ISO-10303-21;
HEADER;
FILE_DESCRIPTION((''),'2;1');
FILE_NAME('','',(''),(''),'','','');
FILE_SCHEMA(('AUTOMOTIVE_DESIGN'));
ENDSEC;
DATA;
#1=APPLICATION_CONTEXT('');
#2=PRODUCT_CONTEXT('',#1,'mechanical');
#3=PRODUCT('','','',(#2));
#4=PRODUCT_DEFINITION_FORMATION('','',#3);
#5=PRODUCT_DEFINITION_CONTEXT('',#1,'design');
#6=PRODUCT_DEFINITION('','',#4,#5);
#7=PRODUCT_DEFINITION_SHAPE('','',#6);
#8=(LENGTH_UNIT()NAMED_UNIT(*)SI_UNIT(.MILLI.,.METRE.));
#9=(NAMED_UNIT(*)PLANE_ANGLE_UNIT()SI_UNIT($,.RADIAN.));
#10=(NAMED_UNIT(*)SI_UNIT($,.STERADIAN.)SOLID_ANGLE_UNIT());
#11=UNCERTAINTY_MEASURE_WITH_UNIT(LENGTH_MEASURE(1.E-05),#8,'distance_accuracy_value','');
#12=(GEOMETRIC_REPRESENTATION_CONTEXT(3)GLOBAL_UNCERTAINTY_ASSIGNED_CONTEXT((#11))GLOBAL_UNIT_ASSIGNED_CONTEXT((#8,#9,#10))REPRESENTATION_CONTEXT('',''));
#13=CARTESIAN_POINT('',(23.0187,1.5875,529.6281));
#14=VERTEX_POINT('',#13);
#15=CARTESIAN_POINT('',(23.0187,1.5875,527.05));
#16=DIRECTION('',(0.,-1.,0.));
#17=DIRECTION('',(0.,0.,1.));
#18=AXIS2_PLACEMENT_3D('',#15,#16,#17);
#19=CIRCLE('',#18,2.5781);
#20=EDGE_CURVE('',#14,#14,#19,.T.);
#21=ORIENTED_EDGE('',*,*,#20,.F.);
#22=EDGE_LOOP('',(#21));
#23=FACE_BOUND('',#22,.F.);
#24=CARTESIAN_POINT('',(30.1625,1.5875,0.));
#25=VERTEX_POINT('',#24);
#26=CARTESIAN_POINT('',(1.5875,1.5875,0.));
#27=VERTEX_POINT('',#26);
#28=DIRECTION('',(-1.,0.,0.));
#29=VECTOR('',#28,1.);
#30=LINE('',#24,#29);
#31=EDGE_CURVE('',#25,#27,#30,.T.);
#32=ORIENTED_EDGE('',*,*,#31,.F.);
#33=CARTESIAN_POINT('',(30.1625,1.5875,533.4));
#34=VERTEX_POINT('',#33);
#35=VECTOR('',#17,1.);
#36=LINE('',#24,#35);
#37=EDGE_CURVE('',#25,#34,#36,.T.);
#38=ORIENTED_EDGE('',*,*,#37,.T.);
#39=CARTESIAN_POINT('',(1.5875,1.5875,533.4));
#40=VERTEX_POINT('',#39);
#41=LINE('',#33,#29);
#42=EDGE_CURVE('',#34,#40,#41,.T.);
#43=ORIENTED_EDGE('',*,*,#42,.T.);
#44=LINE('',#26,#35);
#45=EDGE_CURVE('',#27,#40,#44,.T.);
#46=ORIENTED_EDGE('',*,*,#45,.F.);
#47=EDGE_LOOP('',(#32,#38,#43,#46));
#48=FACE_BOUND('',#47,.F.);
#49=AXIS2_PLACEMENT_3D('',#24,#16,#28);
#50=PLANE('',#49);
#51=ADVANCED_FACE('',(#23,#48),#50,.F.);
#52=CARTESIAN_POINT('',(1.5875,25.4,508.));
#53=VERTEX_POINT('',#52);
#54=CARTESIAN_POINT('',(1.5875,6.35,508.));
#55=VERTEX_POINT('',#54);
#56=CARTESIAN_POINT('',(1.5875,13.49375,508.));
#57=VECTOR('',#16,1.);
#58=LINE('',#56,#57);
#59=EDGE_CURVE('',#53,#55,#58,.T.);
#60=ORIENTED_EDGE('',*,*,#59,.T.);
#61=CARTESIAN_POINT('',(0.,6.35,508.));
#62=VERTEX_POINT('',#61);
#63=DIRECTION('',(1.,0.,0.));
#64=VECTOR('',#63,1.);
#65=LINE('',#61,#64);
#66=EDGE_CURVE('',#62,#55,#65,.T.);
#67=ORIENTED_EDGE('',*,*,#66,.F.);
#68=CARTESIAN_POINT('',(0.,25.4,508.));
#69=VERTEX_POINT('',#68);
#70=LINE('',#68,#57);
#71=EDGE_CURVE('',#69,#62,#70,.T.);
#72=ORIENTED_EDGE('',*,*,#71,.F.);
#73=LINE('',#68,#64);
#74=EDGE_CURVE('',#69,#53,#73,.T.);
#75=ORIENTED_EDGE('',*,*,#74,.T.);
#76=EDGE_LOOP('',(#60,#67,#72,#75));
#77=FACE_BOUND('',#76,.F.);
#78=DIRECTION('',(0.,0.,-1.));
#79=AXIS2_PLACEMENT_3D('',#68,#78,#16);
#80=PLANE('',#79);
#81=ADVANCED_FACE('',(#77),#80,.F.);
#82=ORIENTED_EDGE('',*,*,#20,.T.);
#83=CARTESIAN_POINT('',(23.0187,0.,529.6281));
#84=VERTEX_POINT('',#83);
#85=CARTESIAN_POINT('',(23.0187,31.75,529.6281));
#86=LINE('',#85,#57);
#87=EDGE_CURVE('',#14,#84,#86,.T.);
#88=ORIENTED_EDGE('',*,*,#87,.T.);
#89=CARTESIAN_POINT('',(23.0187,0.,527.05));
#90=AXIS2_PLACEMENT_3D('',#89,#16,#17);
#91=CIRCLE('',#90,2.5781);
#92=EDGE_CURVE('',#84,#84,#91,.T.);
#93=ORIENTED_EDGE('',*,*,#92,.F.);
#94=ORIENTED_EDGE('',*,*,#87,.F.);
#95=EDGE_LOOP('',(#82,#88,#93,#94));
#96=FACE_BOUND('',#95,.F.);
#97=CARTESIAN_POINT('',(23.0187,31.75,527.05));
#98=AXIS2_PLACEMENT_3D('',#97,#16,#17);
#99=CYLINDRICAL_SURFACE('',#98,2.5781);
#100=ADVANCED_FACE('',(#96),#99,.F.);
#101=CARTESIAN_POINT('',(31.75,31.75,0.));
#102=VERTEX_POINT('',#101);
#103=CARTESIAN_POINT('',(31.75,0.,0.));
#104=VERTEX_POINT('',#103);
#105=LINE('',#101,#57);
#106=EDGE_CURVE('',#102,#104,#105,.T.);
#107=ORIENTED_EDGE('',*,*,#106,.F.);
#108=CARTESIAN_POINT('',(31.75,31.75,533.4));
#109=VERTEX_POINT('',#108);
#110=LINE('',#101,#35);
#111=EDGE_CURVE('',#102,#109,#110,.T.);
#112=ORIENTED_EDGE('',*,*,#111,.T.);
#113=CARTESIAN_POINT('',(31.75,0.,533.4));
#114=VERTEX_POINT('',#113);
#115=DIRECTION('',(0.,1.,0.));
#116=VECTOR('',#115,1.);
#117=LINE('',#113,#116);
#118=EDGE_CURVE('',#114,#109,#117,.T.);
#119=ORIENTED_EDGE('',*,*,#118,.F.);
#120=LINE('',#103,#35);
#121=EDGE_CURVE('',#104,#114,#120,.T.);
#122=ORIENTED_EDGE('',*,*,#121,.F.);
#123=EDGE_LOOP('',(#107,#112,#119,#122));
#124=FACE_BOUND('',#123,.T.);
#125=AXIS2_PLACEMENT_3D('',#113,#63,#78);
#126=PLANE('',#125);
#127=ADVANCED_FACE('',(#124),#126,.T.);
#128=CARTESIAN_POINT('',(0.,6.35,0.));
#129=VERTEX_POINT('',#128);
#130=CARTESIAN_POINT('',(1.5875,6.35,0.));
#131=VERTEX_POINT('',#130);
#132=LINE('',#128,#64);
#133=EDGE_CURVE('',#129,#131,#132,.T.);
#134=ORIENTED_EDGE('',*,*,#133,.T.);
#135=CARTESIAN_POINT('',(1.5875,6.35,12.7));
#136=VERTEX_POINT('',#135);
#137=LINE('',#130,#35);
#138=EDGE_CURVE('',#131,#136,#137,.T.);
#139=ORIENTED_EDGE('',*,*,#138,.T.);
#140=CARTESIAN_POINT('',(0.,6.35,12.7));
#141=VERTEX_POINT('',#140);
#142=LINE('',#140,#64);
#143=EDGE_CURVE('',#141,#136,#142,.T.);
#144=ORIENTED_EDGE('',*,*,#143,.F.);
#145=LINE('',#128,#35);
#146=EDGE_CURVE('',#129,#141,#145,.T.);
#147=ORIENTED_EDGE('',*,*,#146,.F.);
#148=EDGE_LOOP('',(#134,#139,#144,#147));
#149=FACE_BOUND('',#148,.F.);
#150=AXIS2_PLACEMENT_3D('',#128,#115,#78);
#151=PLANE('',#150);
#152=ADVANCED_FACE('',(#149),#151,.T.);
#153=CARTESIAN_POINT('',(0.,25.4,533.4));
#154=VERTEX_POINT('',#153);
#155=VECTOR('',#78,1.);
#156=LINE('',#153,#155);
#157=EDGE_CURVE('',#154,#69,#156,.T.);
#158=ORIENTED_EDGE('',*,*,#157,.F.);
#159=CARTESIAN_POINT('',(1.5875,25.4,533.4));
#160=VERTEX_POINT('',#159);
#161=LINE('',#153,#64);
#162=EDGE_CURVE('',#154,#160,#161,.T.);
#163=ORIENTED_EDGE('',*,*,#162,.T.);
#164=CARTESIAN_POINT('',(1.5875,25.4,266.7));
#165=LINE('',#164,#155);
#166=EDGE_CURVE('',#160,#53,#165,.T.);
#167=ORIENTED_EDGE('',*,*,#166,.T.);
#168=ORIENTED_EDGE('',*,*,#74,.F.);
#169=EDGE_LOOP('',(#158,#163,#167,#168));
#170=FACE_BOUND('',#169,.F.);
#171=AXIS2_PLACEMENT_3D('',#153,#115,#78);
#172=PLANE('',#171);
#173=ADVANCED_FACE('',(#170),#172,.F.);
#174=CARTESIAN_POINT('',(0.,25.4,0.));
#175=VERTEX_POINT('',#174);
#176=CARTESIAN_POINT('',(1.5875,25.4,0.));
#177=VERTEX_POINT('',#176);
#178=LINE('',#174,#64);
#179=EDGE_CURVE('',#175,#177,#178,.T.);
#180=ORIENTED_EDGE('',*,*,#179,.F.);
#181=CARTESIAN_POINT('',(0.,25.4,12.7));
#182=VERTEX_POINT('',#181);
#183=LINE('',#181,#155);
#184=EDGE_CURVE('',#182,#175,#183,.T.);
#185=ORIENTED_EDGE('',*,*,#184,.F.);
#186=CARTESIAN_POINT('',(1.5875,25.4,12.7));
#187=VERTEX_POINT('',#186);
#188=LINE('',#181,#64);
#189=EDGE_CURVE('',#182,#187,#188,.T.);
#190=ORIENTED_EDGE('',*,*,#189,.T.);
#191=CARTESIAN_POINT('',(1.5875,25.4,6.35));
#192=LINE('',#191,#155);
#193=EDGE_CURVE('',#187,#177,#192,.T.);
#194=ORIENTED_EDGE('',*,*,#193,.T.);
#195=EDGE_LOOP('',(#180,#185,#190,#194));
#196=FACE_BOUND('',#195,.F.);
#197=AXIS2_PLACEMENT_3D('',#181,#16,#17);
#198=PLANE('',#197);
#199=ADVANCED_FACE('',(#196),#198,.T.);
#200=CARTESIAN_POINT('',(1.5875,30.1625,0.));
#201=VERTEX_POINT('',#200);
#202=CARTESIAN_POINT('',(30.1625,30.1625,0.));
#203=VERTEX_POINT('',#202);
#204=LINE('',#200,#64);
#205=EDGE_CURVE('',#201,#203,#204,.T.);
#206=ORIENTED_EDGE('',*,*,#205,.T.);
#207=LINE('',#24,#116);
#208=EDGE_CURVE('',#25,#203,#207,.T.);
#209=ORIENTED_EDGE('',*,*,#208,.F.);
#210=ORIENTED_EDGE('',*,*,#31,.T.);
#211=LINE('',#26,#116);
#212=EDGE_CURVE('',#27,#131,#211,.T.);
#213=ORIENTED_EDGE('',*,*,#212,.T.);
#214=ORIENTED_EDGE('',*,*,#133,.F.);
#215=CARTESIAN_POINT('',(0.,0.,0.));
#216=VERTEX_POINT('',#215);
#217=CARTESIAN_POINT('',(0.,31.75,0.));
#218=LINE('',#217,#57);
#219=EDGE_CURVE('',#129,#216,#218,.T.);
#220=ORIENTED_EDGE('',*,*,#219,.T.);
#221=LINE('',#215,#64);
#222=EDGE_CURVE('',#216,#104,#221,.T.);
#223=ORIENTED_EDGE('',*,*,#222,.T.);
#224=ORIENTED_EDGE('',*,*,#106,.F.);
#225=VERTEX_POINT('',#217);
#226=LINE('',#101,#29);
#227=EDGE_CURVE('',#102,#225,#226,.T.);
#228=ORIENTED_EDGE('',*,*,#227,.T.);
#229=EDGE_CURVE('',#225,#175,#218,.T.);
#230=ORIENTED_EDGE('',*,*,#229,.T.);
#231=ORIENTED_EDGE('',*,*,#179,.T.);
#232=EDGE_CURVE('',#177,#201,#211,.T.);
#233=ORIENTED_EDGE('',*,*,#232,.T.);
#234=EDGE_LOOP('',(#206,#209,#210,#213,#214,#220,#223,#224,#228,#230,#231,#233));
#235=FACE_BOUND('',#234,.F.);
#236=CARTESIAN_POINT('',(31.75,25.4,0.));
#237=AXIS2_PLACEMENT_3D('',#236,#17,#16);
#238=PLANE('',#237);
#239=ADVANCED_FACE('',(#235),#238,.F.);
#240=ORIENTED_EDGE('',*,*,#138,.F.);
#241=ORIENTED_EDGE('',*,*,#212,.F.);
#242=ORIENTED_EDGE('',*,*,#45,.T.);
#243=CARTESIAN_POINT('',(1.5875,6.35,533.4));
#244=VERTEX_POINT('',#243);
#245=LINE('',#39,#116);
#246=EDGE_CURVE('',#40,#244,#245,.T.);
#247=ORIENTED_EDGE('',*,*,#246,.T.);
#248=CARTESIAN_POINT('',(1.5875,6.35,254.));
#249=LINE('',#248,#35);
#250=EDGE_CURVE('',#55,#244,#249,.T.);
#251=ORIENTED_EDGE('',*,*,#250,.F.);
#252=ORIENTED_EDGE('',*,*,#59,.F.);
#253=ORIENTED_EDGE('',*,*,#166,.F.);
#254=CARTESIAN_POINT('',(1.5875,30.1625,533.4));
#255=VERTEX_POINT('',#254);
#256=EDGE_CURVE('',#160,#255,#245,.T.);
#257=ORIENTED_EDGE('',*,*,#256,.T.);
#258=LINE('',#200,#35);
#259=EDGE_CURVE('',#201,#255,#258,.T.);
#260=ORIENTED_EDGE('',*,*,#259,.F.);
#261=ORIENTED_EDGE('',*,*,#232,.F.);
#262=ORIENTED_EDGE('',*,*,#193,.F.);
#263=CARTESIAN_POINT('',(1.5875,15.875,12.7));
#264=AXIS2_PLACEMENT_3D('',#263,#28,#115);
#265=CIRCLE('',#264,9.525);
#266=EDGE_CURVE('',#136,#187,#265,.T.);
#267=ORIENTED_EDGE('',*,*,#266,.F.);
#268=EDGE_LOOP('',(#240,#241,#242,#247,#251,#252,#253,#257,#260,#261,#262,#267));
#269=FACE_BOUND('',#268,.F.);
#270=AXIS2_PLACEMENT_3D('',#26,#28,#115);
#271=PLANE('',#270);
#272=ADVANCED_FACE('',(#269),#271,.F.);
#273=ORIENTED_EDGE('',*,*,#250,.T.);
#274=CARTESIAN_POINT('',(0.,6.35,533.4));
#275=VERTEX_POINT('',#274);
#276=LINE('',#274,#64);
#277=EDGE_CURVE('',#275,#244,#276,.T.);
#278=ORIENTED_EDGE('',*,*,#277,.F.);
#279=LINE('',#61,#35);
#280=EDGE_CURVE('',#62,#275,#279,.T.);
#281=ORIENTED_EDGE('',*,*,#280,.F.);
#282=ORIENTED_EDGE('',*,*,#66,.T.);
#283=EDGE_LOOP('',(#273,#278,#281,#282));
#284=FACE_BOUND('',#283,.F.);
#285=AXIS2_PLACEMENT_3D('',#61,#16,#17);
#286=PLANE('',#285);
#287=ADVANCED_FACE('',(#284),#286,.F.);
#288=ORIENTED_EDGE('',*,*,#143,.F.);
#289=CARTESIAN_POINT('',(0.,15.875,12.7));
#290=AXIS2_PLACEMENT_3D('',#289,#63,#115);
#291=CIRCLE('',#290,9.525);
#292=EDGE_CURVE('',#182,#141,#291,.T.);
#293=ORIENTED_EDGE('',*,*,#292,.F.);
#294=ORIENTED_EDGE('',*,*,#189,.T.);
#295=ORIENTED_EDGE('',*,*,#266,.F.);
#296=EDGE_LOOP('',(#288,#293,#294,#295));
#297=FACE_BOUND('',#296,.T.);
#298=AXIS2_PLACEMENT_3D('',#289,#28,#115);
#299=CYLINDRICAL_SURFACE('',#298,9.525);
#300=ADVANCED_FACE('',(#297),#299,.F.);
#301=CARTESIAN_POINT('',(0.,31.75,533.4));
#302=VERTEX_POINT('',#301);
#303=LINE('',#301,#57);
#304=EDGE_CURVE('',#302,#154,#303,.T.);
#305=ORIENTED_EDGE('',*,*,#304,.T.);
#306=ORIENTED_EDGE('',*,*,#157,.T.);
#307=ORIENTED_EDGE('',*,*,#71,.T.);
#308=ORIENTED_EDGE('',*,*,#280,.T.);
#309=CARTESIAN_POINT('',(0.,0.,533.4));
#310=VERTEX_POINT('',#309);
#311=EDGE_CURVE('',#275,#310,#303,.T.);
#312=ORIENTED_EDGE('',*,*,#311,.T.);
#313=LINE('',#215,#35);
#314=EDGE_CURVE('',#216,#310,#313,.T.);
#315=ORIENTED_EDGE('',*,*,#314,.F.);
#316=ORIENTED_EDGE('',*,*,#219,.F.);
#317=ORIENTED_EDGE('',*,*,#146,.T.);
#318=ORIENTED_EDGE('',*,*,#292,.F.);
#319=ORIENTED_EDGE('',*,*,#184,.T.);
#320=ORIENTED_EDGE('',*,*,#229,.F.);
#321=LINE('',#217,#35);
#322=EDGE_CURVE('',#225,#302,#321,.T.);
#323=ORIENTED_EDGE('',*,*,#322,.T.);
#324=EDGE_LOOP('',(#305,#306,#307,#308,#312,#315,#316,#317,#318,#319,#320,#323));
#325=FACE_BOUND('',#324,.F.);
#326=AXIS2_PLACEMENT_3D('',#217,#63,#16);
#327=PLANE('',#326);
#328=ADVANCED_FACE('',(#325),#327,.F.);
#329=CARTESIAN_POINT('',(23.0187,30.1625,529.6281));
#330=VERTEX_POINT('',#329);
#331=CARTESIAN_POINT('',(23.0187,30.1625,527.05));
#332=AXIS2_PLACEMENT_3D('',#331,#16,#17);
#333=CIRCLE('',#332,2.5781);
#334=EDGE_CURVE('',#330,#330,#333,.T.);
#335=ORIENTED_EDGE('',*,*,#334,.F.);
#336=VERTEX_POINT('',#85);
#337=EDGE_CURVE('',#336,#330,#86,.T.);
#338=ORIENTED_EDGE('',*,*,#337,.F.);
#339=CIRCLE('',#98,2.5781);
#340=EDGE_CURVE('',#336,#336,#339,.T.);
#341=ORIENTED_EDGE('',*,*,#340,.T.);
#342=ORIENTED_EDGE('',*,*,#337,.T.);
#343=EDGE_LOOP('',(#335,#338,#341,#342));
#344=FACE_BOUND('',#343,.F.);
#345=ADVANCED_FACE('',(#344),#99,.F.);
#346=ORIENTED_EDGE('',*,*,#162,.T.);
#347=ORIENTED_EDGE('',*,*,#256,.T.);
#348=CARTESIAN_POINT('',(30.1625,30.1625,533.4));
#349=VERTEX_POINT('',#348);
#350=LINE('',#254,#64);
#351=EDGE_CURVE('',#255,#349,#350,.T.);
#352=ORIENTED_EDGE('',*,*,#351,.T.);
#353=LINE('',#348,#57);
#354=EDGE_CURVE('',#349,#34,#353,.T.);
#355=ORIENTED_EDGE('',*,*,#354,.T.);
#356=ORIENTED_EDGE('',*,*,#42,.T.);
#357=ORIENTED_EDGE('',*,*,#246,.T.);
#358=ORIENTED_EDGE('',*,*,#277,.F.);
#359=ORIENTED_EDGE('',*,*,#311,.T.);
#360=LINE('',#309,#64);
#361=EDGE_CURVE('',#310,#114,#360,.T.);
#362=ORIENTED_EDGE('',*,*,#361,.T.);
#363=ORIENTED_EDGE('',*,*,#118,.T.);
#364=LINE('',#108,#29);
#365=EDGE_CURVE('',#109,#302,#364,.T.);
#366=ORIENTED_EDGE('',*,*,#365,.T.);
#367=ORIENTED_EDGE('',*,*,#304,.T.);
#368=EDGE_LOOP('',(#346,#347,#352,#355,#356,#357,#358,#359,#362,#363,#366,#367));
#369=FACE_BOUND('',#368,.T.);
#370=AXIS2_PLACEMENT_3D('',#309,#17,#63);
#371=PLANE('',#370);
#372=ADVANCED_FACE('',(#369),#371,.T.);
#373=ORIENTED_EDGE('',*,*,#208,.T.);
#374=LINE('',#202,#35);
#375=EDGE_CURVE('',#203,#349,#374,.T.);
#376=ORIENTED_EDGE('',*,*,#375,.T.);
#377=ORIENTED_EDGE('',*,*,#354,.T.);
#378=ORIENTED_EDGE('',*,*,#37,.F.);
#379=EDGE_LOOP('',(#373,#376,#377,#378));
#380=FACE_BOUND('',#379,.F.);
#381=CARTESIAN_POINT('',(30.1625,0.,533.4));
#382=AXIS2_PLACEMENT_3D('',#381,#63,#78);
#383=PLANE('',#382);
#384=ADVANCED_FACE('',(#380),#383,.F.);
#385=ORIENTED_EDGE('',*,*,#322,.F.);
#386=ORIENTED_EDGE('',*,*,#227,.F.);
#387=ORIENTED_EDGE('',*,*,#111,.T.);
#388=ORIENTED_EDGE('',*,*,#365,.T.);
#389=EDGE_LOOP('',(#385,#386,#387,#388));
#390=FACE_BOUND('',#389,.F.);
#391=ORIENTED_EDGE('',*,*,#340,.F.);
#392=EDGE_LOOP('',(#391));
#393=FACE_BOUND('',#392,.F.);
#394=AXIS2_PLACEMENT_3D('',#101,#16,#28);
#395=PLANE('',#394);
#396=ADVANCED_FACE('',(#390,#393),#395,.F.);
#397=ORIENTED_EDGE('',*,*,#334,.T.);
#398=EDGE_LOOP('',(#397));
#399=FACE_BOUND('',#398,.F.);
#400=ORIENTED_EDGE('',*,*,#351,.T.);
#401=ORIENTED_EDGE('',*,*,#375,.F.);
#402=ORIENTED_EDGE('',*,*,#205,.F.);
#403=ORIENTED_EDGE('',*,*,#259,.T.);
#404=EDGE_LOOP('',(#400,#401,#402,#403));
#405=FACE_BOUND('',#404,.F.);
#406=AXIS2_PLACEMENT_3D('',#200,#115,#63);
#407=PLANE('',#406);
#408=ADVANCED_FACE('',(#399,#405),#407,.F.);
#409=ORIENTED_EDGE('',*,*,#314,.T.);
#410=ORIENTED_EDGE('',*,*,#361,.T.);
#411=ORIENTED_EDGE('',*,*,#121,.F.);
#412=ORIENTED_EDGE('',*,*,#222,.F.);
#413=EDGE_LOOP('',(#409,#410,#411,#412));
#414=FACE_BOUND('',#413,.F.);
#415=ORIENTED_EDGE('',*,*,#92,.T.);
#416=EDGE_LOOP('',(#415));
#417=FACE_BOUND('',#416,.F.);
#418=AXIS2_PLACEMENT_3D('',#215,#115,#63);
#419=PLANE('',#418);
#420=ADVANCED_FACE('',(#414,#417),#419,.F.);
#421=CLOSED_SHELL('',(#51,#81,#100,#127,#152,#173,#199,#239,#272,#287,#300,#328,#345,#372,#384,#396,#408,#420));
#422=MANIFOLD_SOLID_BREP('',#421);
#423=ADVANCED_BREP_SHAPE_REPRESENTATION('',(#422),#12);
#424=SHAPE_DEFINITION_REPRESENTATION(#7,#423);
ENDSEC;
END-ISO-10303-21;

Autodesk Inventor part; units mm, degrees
ref_plane "XZ Plane" through (0, 0, 0) normal (0, 1, 0) x (-1, 0, 0)
ref_plane "XY Plane" through (0, 0, 0) normal (0, 0, 1) x (1, 0, 0)
sketch "Sketch1" plane through (0, 0, 0) normal (0, 0, 1) x (1, 0, 0)
  line L0 (0, 0) -> (31.75, 0)
  line L1 (31.75, 0) -> (31.75, 31.75)
  line L2 (31.75, 31.75) -> (0, 31.75)
  line L3 (0, 31.75) -> (0, 0)
  line L4 (1.5875, 30.1625) -> (30.1625, 30.1625)
  line L5 (30.1625, 30.1625) -> (30.1625, 1.5875)
  line L6 (30.1625, 1.5875) -> (1.5875, 1.5875)
  line L7 (1.5875, 1.5875) -> (1.5875, 30.1625)
  dimension "d0" = 31.75
  dimension "d1" = 31.75
  dimension "d2" = 1.5875
extrude "Extrusion1" add sketch "Sketch1" along normal blind 533.4
sketch "Sketch5" plane through (31.75, 0, 0) normal (1, 0, 0) x (0, 0, -1)
  line L0 (0, 15.875) -> (-12.7, 15.875) construction
  line L1 (0, 6.35) -> (-12.7, 6.35)
  line L2 (-12.7, 25.4) -> (0, 25.4)
  arc A0 (0, 6.35) -> (0, 25.4) centre (0, 15.875) ccw
  arc A1 (-12.7, 25.4) -> (-12.7, 6.35) centre (-12.7, 15.875) ccw
  line L3 (0, 0) -> (0, 31.75) projected
  line L4 (0, 31.75) -> (-533.4, 31.75) projected
  point P0 (-6.35, 15.875)
  dimension "d26" = 0
  dimension "d27" = 19.05
  dimension "d28" = 15.875
  dimension "d29" = 12.7
extrude "Extrusion4" cut sketch "Sketch5" against normal blind 25.4
ref_plane "Work Plane3" through (15.875, 0, 0) normal (1, 0, 0) x (0, 1, 0)
mirror "Mirror1" about plane through (15.875, 0, 0) normal (1, 0, 0) of "Extrusion4"
sketch "Sketch6" plane through (31.75, 0, 533.4) normal (1, 0, 0) x (0, 0, -1)
  line L0 (533.4, 25.4) -> (520.7, 25.4) projected
  line L1 (533.4, 25.4) -> (520.7, 25.4)
  arc A0 (520.7, 25.4) -> (520.7, 6.35) centre (520.7, 15.875) ccw projected
  arc A1 (520.7, 25.4) -> (520.7, 6.35) centre (520.7, 15.875) ccw
  line L2 (533.4, 6.35) -> (520.7, 6.35) projected
  line L3 (520.7, 6.35) -> (533.4, 6.35)
  line L4 (533.4, 25.4) -> (533.4, 31.75) projected
  line L5 (533.4, 25.4) -> (533.4, 6.35)
  point P0 (533.4, 0)
extrude "Extrusion5" add sketch "Sketch6" against normal blind 1.5875
sketch "Sketch8" plane through (0, 31.75, 0) normal (0, 1, 0) x (1, 0, 0)
  line L0 (31.75, 0) -> (31.75, -533.4) projected
  line L1 (31.75, -533.4) -> (0, -533.4) projected
  point P0 (0, 0)
  point P1 (23.0188, -527.05)
  dimension "d44" = 8.7312
  dimension "d45" = 6.35
hole "Hole3" at (23.0187, 31.75, 527.05) direction (0, -1, 0) diameter 5.1562 depth 76.2 tip angle 118
sketch "Sketch9" plane through (0, 0, 533.4) normal (-1, 0, 0) x (0, 0, 1)
  line L0 (0, 1.5875) -> (0, 30.1625) projected
  line L1 (0, 25.4) -> (-25.4, 25.4)
  line L2 (-25.4, 25.4) -> (-25.4, 6.35)
  line L3 (-25.4, 6.35) -> (0, 6.35)
  line L4 (0, 6.35) -> (0, 25.4)
  line L5 (-533.4, 0) -> (0, 0) projected
  line L6 (-533.4, 31.75) -> (0, 31.75) projected
  dimension "d53" = 25.4
  dimension "d54" = 6.35
  dimension "d55" = 6.35
extrude "Extrusion6" cut sketch "Sketch9" against normal blind 5.842
equation "\"d55\" = d54"
properties part number "TelescopeMiddleNoSlot" material "Aluminum 6061"
